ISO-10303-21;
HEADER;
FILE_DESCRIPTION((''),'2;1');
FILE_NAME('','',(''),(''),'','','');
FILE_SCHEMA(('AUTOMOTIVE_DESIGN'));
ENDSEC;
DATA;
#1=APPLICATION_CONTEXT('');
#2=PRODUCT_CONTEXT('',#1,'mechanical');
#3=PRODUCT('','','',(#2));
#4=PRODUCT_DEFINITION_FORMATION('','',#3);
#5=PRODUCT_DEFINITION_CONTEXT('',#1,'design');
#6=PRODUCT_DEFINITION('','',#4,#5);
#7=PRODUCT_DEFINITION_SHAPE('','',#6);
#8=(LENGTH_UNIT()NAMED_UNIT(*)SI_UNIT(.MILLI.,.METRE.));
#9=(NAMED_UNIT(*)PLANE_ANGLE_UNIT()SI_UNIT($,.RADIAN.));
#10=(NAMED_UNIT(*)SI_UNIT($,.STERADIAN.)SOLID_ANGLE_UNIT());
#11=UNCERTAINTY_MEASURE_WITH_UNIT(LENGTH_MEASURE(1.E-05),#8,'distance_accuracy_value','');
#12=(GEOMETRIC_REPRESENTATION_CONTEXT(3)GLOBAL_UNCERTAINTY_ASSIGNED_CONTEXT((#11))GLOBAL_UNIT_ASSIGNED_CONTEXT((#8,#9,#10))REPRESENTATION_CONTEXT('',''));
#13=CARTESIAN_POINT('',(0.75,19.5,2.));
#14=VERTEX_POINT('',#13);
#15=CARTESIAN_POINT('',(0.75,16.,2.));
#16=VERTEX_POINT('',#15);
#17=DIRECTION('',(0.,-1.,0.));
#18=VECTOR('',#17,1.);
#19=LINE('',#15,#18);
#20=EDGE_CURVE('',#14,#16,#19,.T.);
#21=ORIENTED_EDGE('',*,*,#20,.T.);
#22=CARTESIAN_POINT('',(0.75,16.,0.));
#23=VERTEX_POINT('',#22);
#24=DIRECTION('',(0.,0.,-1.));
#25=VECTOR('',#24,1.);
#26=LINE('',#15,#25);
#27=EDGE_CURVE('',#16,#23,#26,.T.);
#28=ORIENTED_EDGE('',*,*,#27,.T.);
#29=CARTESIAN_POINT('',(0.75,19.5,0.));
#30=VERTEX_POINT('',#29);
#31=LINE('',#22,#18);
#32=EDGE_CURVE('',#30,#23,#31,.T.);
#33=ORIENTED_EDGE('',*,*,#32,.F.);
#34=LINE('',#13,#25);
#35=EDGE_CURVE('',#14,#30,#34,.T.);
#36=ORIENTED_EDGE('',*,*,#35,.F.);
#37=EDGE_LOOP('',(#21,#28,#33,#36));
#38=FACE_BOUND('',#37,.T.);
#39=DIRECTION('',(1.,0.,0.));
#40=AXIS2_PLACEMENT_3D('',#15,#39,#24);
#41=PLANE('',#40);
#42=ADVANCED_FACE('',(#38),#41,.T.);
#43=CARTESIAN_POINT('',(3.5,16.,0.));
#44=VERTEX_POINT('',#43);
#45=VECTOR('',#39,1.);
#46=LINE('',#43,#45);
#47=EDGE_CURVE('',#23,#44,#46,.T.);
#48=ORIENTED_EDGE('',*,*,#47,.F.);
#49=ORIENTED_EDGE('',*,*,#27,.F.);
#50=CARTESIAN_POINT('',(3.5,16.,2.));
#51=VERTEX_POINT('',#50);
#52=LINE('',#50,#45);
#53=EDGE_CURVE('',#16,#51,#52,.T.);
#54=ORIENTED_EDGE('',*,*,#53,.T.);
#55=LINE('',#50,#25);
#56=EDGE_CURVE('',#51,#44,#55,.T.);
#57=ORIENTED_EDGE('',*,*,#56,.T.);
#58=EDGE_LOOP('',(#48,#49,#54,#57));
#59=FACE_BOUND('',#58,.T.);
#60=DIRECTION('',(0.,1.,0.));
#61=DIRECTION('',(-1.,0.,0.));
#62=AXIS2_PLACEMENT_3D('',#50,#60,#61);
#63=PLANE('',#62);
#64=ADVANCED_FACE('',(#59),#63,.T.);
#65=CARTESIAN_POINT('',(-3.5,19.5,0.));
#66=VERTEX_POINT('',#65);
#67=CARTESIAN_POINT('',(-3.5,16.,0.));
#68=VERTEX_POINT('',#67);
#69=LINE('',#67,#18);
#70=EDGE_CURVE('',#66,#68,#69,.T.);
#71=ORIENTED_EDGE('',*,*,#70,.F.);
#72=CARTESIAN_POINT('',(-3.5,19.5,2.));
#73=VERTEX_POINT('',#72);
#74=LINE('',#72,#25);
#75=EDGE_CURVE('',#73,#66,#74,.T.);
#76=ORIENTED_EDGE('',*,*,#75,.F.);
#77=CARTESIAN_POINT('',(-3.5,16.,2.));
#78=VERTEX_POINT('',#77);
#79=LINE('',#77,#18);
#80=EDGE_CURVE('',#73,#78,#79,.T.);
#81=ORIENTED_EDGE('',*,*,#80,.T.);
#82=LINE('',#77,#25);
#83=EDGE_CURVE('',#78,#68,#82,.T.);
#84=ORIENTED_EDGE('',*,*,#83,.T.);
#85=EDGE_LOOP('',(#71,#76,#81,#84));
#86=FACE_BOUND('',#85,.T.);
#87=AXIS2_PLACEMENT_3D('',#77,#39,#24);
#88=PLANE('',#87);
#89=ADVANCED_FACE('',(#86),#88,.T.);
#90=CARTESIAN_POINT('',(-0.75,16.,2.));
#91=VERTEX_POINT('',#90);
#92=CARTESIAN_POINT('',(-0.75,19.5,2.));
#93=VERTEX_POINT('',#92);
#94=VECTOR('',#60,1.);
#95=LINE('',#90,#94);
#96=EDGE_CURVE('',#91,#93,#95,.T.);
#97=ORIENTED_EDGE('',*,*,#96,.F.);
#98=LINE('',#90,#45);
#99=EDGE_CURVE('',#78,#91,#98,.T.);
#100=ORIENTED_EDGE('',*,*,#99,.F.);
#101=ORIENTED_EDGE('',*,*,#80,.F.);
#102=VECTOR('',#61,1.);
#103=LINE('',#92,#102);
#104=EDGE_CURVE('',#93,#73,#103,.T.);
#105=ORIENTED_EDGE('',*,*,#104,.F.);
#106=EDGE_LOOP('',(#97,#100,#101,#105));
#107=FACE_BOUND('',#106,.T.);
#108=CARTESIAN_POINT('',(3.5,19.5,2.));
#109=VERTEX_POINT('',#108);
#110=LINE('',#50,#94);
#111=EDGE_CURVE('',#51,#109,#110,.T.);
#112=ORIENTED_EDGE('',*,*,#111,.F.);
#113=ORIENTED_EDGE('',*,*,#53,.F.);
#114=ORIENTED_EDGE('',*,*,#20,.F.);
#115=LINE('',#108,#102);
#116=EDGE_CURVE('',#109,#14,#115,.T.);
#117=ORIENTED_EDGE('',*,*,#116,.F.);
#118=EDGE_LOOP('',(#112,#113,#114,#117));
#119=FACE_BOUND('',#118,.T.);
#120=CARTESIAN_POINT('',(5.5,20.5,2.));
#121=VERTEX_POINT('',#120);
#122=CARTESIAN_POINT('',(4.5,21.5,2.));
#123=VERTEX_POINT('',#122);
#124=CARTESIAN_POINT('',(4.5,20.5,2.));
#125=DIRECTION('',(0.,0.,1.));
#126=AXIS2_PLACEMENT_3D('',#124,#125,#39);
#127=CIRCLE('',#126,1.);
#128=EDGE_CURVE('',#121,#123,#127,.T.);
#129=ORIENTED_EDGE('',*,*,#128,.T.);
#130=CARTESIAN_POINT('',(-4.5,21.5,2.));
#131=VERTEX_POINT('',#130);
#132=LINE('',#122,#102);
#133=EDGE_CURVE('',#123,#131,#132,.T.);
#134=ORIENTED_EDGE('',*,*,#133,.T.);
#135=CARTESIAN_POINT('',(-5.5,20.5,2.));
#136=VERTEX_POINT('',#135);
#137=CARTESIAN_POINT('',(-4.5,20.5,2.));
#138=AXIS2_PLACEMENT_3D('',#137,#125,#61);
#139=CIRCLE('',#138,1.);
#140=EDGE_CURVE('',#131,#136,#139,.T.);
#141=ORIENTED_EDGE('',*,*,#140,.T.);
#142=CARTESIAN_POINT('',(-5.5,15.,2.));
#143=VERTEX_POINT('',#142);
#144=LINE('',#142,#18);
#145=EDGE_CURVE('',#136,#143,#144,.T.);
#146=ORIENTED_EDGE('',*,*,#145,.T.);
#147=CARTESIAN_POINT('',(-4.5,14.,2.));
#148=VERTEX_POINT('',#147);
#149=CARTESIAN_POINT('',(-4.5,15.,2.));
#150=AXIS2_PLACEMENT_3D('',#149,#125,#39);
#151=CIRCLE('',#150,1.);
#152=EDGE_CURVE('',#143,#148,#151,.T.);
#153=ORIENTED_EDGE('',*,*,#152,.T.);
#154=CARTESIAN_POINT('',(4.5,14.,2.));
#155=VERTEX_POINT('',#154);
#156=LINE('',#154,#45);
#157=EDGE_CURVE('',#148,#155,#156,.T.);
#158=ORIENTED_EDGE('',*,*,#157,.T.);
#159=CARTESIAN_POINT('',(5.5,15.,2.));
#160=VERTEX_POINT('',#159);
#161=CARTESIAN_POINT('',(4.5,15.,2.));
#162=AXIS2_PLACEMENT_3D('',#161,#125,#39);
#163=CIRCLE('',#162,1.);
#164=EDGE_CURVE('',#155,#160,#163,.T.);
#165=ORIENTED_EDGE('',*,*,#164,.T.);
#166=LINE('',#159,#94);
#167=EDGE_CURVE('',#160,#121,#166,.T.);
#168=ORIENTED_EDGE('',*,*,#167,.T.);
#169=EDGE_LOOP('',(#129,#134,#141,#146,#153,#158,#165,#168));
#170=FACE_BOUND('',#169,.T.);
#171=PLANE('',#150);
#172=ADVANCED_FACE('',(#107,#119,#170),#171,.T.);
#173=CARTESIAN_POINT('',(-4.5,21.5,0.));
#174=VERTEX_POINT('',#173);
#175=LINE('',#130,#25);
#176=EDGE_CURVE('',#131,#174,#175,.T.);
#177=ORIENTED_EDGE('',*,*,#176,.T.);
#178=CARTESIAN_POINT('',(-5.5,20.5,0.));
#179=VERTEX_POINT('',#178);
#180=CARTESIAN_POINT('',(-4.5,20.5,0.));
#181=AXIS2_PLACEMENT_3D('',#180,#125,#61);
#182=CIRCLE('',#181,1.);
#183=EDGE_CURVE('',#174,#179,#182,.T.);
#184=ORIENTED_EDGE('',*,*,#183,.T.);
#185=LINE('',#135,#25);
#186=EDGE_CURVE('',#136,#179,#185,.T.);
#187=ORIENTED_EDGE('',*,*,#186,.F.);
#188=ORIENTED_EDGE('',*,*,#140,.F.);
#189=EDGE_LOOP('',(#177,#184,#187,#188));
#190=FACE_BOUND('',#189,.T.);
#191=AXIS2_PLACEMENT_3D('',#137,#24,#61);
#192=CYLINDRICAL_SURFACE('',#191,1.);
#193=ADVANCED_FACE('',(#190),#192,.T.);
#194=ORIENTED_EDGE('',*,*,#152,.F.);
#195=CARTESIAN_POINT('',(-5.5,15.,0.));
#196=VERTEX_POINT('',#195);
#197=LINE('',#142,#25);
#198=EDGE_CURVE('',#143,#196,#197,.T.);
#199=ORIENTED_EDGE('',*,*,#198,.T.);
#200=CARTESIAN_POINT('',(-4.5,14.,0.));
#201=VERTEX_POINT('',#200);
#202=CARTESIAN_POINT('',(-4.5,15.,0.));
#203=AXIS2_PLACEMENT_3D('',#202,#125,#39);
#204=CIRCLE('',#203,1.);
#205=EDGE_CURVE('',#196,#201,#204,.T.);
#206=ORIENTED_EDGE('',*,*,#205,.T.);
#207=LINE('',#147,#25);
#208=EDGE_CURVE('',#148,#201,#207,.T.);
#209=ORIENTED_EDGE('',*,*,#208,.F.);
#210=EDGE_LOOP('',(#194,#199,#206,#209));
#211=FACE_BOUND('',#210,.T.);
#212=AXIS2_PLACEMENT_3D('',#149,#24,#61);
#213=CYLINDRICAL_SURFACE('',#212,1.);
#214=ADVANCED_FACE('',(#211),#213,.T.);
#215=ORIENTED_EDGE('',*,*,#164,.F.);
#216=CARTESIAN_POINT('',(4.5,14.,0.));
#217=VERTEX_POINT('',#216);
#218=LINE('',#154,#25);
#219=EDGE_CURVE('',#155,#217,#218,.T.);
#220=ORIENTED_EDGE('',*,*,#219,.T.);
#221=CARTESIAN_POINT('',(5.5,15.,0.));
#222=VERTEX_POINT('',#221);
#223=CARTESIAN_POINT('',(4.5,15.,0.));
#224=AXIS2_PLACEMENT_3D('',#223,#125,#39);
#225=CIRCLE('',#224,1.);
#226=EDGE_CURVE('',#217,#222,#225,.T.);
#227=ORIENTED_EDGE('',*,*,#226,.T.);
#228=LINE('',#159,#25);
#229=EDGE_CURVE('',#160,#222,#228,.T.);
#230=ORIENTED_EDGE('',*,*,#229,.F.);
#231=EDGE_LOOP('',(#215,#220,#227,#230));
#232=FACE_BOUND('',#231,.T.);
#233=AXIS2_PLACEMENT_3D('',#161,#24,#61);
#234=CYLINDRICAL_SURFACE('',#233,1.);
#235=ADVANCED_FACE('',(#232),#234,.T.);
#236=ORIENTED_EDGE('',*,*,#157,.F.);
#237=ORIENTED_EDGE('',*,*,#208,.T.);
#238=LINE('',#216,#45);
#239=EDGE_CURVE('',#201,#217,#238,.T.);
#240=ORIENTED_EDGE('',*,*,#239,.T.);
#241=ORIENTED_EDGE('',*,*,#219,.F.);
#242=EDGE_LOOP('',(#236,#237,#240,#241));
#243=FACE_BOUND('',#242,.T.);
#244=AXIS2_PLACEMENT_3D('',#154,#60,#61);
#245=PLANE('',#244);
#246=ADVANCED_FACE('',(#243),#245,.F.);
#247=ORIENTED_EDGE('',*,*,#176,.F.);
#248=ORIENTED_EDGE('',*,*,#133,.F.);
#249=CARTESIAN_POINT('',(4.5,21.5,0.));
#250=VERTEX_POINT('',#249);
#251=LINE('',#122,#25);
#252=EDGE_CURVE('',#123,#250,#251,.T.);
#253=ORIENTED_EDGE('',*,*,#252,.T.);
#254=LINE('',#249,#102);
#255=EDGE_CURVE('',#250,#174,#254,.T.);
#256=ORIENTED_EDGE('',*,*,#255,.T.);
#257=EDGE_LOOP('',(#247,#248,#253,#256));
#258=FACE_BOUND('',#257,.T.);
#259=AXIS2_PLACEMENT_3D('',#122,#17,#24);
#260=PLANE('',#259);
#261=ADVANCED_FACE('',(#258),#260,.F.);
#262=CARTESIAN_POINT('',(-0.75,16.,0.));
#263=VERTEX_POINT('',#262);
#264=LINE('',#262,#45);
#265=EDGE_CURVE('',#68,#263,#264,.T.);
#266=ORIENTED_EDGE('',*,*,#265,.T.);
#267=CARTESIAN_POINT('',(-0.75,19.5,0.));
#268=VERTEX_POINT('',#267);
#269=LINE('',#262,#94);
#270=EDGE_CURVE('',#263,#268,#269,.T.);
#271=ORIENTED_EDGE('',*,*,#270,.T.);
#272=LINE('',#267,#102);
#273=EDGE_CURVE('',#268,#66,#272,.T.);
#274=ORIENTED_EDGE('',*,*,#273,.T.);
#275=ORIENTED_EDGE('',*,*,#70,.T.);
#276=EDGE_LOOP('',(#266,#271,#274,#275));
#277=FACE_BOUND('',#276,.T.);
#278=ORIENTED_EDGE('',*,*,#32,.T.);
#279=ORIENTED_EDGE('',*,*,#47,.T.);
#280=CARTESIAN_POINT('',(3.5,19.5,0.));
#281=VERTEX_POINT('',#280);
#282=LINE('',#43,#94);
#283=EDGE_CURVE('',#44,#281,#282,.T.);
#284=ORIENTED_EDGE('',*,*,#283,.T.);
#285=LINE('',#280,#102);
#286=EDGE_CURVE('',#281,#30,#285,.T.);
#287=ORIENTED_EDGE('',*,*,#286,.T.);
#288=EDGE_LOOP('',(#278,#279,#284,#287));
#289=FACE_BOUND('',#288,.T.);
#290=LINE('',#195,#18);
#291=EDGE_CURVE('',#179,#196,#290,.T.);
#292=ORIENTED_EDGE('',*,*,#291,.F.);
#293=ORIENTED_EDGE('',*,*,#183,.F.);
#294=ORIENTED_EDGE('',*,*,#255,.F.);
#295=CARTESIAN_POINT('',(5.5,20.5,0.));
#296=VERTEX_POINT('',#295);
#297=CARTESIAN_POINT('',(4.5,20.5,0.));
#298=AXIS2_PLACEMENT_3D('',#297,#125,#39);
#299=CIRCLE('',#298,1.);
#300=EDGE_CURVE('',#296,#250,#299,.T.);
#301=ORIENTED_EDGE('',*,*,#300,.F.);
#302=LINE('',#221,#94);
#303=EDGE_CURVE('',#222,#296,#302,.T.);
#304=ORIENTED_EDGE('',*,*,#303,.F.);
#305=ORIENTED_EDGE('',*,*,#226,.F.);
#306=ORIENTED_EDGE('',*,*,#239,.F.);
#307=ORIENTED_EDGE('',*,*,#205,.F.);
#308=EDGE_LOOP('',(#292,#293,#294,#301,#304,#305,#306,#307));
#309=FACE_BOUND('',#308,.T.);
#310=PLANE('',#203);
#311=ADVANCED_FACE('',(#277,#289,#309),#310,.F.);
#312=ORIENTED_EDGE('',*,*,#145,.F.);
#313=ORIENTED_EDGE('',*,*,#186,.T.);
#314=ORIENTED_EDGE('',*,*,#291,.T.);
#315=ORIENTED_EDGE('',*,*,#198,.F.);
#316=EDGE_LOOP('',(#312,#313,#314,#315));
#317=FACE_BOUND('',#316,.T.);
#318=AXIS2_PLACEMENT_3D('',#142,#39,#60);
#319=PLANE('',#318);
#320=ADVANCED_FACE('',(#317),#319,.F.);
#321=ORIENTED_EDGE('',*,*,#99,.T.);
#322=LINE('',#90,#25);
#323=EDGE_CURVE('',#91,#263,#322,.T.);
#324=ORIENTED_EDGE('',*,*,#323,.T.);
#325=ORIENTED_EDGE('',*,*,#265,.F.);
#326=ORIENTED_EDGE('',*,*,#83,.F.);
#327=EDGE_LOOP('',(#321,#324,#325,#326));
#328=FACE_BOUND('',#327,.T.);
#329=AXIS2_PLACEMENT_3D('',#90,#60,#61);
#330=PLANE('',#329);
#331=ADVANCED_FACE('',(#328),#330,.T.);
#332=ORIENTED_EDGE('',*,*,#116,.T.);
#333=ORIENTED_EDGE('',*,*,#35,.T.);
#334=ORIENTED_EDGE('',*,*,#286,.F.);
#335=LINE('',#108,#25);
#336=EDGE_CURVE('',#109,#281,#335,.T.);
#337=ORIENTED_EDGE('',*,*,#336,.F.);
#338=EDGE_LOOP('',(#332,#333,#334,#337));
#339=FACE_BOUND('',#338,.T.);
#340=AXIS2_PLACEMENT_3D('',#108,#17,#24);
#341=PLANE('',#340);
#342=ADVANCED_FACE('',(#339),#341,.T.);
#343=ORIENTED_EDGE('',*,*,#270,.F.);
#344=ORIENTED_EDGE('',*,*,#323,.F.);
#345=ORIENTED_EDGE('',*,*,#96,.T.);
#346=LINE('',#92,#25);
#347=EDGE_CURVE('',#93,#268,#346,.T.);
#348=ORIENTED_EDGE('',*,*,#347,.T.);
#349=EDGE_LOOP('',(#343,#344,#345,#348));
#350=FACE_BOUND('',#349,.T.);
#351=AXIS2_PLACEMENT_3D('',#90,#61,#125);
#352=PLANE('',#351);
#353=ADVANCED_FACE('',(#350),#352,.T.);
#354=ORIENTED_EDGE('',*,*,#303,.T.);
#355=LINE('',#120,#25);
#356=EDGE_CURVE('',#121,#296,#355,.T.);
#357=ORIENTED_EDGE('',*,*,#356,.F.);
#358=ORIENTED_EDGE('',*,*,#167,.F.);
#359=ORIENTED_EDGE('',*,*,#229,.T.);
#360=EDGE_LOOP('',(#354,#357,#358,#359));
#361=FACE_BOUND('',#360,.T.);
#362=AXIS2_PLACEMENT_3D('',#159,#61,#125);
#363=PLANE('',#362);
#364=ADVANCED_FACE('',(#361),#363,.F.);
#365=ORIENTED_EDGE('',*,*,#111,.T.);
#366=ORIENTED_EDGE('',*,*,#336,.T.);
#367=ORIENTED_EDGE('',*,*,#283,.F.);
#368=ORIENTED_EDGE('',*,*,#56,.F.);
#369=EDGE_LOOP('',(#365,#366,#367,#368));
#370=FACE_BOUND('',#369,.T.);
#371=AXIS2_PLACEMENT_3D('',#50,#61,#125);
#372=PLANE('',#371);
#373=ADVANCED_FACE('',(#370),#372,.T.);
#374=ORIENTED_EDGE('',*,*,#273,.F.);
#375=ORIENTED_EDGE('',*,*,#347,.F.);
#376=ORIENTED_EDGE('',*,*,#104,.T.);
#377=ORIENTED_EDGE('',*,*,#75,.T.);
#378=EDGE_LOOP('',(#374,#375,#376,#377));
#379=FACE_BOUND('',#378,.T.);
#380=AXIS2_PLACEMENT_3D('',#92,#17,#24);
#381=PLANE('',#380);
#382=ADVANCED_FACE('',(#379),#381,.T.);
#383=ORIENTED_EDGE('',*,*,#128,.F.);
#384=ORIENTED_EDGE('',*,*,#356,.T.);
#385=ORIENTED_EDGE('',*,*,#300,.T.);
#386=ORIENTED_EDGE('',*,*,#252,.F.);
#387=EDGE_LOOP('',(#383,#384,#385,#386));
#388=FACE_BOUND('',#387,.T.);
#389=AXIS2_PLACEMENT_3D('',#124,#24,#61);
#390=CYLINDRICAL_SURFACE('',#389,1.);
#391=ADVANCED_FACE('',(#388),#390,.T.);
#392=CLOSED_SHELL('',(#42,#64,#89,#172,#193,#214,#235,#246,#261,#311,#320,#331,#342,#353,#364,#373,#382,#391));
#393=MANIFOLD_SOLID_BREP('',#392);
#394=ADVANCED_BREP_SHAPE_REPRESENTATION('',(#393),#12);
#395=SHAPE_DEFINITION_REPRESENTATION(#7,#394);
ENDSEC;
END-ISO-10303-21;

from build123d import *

# Parameters (mm, degrees)
SKETCH1_W           = 2.75
SKETCH1_H           = 3.5
BOSS_EXTRUDE1_DEPTH = 2


with BuildPart() as part:
    # Sketch1 → Boss-Extrude1 (new body)
    with BuildSketch(Plane.XY):
        with BuildLine():
            Line((4.5, 21.5), (-4.5, 21.5))
            ThreePointArc((-4.5, 21.5), (-5.207106781, 21.207106781), (-5.5, 20.5))
            Line((-5.5, 20.5), (-5.5, 15))
            ThreePointArc((-5.5, 15), (-5.207106781, 14.292893219), (-4.5, 14))
            Line((-4.5, 14), (4.5, 14))
            ThreePointArc((4.5, 14), (5.207106781, 14.292893219), (5.5, 15))
            Line((5.5, 15), (5.5, 20.5))
            ThreePointArc((5.5, 20.5), (5.207106781, 21.207106781), (4.5, 21.5))
        make_face()
        with Locations((2.125, 17.75)):
            Rectangle(SKETCH1_W, SKETCH1_H, mode=Mode.SUBTRACT)
        with Locations((-2.125, 17.75)):
            Rectangle(SKETCH1_W, SKETCH1_H, mode=Mode.SUBTRACT)
    extrude(amount=BOSS_EXTRUDE1_DEPTH)


solid = part.part
